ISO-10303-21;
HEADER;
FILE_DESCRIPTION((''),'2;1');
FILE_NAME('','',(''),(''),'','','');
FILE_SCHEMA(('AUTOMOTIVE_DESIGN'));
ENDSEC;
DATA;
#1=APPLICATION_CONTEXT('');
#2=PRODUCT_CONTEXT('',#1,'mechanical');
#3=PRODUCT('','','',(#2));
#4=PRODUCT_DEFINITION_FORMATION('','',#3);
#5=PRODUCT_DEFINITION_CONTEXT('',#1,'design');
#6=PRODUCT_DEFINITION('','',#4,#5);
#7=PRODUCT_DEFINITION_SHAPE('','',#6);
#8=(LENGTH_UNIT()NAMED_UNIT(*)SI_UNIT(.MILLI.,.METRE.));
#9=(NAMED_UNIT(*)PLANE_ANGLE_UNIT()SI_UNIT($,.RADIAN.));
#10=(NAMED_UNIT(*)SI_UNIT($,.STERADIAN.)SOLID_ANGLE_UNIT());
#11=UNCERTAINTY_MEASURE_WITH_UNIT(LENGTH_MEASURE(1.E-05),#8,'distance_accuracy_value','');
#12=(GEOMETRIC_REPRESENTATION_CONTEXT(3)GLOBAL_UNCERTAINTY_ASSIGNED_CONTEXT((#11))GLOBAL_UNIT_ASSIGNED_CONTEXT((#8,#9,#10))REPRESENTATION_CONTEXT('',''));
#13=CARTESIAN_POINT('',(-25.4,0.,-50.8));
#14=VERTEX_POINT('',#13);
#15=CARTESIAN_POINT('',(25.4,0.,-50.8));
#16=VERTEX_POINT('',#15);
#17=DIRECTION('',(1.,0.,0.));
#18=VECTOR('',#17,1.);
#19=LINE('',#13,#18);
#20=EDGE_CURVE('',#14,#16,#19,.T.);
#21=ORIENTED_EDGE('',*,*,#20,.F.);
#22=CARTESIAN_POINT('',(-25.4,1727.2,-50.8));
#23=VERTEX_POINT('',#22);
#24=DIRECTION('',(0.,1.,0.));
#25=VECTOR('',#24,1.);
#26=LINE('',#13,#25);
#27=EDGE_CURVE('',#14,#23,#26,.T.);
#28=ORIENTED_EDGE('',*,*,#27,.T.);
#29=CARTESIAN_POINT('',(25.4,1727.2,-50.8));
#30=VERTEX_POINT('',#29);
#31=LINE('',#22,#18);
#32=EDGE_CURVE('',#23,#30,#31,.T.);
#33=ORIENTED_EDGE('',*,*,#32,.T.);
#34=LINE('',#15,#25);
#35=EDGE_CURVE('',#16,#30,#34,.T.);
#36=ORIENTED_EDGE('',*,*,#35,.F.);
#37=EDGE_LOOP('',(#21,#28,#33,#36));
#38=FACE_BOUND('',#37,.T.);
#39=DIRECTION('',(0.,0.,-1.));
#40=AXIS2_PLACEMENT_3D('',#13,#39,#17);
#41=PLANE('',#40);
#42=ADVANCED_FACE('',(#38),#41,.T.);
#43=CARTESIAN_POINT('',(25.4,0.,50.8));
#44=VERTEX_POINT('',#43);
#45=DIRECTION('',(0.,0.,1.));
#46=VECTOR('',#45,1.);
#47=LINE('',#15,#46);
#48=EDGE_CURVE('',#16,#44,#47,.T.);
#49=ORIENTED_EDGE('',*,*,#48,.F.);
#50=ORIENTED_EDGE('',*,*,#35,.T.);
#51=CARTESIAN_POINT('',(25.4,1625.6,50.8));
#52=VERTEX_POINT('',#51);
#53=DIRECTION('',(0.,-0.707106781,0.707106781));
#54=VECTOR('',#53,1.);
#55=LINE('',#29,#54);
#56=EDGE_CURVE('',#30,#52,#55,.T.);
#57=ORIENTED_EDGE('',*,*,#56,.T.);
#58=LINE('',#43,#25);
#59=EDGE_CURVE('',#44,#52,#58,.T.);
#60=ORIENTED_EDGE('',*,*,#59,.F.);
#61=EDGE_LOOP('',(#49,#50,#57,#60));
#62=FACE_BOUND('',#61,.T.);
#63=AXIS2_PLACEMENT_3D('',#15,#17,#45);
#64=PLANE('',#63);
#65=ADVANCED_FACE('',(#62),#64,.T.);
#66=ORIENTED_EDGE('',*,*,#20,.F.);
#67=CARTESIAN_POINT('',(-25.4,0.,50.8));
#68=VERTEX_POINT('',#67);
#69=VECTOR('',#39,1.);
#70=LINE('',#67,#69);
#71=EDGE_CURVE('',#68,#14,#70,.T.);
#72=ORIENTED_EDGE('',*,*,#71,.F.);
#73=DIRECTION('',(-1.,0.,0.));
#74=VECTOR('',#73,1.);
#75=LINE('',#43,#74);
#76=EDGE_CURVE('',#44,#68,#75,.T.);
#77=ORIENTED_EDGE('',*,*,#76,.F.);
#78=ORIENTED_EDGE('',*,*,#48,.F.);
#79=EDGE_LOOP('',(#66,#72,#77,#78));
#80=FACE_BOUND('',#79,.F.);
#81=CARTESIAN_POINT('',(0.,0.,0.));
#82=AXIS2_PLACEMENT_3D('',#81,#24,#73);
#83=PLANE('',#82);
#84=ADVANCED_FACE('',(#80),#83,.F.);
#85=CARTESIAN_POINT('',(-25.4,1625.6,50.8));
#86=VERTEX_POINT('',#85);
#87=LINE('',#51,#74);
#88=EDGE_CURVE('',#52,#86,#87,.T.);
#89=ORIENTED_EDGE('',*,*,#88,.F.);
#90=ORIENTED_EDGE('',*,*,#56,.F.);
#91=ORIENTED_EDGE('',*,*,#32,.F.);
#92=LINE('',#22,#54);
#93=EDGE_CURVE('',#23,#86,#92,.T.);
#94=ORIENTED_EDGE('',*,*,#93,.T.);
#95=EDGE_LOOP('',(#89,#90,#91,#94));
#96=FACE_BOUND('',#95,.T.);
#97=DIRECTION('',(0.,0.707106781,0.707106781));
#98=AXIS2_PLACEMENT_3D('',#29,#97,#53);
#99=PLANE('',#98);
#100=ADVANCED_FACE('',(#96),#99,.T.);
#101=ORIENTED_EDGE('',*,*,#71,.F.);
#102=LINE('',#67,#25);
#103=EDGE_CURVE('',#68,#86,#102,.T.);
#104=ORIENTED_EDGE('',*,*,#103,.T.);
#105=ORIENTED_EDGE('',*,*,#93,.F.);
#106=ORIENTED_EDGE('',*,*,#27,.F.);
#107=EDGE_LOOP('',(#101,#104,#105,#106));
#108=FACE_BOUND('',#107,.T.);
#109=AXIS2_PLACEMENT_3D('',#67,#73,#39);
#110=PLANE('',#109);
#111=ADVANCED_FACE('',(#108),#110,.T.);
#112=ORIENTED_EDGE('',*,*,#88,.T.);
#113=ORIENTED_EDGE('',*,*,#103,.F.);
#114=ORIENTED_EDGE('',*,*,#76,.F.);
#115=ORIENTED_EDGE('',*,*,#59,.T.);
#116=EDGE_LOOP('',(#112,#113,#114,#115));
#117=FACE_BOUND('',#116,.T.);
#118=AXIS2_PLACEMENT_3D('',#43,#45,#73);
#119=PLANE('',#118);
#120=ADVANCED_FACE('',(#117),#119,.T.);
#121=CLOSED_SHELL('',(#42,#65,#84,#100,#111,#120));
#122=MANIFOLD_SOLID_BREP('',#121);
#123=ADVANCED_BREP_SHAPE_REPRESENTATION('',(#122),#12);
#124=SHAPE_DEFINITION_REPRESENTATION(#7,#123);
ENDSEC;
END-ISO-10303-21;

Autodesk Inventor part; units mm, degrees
ref_plane "YZ Plane" through (0, 0, 0) normal (1, 0, 0) x (0, 1, 0)
ref_plane "XZ Plane" through (0, 0, 0) normal (0, 1, 0) x (-1, 0, 0)
ref_plane "XY Plane" through (0, 0, 0) normal (0, 0, 1) x (1, 0, 0)
sketch "Sketch1" plane through (0, 0, 0) normal (0, 1, 0) x (-1, 0, 0)
  line L0 (-25.4, 50.8) -> (25.4, 50.8)
  line L1 (25.4, 50.8) -> (25.4, -50.8)
  line L2 (25.4, -50.8) -> (-25.4, -50.8)
  line L3 (-25.4, -50.8) -> (-25.4, 50.8)
  line L4 (-25.4, 50.8) -> (25.4, -50.8) construction
  line L5 (25.4, 50.8) -> (-25.4, -50.8) construction
  point P0 (0, 0)
  dimension "d0" = 50.8
  dimension "d1" = 101.6
extrude "Extrusion1" add sketch "Sketch1" along normal blind 1727.2
sketch "Sketch2" plane through (25.4, 0, 50.8) normal (1, 0, 0) x (0, 0, -1)
  line L0 (101.6, 1727.2) -> (0, 1727.2) projected
  line L1 (101.6, 1727.2) -> (0, 1625.6)
  line L2 (0, 0) -> (0, 1727.2) projected
  line L3 (0, 1625.6) -> (0, 1727.2)
  line L4 (101.6, 1727.2) -> (0, 1727.2)
  point P0 (50.8, 0)
  dimension "d4" = 45
extrude "Extrusion2" cut sketch "Sketch2" against normal blind 50.8
sketch "Sketch3" plane through (0, 0, 0) normal (0, -1, 0) x (1, 0, 0)
  line L0 (25.4, -50.8) -> (-25.4, -50.8) projected
  line L1 (-25.4, 50.8) -> (25.4, 50.8) projected
  line L2 (25.4, -50.8) -> (-25.4, -50.8)
  line L3 (-25.4, -50.8) -> (-25.4, 50.8)
  line L4 (-25.4, 50.8) -> (25.4, 50.8)
  line L5 (25.4, 50.8) -> (25.4, -50.8)
  point P0 (0, 0)
properties part number "2x4x68 (45 90)" material "Wood (Birch)"
